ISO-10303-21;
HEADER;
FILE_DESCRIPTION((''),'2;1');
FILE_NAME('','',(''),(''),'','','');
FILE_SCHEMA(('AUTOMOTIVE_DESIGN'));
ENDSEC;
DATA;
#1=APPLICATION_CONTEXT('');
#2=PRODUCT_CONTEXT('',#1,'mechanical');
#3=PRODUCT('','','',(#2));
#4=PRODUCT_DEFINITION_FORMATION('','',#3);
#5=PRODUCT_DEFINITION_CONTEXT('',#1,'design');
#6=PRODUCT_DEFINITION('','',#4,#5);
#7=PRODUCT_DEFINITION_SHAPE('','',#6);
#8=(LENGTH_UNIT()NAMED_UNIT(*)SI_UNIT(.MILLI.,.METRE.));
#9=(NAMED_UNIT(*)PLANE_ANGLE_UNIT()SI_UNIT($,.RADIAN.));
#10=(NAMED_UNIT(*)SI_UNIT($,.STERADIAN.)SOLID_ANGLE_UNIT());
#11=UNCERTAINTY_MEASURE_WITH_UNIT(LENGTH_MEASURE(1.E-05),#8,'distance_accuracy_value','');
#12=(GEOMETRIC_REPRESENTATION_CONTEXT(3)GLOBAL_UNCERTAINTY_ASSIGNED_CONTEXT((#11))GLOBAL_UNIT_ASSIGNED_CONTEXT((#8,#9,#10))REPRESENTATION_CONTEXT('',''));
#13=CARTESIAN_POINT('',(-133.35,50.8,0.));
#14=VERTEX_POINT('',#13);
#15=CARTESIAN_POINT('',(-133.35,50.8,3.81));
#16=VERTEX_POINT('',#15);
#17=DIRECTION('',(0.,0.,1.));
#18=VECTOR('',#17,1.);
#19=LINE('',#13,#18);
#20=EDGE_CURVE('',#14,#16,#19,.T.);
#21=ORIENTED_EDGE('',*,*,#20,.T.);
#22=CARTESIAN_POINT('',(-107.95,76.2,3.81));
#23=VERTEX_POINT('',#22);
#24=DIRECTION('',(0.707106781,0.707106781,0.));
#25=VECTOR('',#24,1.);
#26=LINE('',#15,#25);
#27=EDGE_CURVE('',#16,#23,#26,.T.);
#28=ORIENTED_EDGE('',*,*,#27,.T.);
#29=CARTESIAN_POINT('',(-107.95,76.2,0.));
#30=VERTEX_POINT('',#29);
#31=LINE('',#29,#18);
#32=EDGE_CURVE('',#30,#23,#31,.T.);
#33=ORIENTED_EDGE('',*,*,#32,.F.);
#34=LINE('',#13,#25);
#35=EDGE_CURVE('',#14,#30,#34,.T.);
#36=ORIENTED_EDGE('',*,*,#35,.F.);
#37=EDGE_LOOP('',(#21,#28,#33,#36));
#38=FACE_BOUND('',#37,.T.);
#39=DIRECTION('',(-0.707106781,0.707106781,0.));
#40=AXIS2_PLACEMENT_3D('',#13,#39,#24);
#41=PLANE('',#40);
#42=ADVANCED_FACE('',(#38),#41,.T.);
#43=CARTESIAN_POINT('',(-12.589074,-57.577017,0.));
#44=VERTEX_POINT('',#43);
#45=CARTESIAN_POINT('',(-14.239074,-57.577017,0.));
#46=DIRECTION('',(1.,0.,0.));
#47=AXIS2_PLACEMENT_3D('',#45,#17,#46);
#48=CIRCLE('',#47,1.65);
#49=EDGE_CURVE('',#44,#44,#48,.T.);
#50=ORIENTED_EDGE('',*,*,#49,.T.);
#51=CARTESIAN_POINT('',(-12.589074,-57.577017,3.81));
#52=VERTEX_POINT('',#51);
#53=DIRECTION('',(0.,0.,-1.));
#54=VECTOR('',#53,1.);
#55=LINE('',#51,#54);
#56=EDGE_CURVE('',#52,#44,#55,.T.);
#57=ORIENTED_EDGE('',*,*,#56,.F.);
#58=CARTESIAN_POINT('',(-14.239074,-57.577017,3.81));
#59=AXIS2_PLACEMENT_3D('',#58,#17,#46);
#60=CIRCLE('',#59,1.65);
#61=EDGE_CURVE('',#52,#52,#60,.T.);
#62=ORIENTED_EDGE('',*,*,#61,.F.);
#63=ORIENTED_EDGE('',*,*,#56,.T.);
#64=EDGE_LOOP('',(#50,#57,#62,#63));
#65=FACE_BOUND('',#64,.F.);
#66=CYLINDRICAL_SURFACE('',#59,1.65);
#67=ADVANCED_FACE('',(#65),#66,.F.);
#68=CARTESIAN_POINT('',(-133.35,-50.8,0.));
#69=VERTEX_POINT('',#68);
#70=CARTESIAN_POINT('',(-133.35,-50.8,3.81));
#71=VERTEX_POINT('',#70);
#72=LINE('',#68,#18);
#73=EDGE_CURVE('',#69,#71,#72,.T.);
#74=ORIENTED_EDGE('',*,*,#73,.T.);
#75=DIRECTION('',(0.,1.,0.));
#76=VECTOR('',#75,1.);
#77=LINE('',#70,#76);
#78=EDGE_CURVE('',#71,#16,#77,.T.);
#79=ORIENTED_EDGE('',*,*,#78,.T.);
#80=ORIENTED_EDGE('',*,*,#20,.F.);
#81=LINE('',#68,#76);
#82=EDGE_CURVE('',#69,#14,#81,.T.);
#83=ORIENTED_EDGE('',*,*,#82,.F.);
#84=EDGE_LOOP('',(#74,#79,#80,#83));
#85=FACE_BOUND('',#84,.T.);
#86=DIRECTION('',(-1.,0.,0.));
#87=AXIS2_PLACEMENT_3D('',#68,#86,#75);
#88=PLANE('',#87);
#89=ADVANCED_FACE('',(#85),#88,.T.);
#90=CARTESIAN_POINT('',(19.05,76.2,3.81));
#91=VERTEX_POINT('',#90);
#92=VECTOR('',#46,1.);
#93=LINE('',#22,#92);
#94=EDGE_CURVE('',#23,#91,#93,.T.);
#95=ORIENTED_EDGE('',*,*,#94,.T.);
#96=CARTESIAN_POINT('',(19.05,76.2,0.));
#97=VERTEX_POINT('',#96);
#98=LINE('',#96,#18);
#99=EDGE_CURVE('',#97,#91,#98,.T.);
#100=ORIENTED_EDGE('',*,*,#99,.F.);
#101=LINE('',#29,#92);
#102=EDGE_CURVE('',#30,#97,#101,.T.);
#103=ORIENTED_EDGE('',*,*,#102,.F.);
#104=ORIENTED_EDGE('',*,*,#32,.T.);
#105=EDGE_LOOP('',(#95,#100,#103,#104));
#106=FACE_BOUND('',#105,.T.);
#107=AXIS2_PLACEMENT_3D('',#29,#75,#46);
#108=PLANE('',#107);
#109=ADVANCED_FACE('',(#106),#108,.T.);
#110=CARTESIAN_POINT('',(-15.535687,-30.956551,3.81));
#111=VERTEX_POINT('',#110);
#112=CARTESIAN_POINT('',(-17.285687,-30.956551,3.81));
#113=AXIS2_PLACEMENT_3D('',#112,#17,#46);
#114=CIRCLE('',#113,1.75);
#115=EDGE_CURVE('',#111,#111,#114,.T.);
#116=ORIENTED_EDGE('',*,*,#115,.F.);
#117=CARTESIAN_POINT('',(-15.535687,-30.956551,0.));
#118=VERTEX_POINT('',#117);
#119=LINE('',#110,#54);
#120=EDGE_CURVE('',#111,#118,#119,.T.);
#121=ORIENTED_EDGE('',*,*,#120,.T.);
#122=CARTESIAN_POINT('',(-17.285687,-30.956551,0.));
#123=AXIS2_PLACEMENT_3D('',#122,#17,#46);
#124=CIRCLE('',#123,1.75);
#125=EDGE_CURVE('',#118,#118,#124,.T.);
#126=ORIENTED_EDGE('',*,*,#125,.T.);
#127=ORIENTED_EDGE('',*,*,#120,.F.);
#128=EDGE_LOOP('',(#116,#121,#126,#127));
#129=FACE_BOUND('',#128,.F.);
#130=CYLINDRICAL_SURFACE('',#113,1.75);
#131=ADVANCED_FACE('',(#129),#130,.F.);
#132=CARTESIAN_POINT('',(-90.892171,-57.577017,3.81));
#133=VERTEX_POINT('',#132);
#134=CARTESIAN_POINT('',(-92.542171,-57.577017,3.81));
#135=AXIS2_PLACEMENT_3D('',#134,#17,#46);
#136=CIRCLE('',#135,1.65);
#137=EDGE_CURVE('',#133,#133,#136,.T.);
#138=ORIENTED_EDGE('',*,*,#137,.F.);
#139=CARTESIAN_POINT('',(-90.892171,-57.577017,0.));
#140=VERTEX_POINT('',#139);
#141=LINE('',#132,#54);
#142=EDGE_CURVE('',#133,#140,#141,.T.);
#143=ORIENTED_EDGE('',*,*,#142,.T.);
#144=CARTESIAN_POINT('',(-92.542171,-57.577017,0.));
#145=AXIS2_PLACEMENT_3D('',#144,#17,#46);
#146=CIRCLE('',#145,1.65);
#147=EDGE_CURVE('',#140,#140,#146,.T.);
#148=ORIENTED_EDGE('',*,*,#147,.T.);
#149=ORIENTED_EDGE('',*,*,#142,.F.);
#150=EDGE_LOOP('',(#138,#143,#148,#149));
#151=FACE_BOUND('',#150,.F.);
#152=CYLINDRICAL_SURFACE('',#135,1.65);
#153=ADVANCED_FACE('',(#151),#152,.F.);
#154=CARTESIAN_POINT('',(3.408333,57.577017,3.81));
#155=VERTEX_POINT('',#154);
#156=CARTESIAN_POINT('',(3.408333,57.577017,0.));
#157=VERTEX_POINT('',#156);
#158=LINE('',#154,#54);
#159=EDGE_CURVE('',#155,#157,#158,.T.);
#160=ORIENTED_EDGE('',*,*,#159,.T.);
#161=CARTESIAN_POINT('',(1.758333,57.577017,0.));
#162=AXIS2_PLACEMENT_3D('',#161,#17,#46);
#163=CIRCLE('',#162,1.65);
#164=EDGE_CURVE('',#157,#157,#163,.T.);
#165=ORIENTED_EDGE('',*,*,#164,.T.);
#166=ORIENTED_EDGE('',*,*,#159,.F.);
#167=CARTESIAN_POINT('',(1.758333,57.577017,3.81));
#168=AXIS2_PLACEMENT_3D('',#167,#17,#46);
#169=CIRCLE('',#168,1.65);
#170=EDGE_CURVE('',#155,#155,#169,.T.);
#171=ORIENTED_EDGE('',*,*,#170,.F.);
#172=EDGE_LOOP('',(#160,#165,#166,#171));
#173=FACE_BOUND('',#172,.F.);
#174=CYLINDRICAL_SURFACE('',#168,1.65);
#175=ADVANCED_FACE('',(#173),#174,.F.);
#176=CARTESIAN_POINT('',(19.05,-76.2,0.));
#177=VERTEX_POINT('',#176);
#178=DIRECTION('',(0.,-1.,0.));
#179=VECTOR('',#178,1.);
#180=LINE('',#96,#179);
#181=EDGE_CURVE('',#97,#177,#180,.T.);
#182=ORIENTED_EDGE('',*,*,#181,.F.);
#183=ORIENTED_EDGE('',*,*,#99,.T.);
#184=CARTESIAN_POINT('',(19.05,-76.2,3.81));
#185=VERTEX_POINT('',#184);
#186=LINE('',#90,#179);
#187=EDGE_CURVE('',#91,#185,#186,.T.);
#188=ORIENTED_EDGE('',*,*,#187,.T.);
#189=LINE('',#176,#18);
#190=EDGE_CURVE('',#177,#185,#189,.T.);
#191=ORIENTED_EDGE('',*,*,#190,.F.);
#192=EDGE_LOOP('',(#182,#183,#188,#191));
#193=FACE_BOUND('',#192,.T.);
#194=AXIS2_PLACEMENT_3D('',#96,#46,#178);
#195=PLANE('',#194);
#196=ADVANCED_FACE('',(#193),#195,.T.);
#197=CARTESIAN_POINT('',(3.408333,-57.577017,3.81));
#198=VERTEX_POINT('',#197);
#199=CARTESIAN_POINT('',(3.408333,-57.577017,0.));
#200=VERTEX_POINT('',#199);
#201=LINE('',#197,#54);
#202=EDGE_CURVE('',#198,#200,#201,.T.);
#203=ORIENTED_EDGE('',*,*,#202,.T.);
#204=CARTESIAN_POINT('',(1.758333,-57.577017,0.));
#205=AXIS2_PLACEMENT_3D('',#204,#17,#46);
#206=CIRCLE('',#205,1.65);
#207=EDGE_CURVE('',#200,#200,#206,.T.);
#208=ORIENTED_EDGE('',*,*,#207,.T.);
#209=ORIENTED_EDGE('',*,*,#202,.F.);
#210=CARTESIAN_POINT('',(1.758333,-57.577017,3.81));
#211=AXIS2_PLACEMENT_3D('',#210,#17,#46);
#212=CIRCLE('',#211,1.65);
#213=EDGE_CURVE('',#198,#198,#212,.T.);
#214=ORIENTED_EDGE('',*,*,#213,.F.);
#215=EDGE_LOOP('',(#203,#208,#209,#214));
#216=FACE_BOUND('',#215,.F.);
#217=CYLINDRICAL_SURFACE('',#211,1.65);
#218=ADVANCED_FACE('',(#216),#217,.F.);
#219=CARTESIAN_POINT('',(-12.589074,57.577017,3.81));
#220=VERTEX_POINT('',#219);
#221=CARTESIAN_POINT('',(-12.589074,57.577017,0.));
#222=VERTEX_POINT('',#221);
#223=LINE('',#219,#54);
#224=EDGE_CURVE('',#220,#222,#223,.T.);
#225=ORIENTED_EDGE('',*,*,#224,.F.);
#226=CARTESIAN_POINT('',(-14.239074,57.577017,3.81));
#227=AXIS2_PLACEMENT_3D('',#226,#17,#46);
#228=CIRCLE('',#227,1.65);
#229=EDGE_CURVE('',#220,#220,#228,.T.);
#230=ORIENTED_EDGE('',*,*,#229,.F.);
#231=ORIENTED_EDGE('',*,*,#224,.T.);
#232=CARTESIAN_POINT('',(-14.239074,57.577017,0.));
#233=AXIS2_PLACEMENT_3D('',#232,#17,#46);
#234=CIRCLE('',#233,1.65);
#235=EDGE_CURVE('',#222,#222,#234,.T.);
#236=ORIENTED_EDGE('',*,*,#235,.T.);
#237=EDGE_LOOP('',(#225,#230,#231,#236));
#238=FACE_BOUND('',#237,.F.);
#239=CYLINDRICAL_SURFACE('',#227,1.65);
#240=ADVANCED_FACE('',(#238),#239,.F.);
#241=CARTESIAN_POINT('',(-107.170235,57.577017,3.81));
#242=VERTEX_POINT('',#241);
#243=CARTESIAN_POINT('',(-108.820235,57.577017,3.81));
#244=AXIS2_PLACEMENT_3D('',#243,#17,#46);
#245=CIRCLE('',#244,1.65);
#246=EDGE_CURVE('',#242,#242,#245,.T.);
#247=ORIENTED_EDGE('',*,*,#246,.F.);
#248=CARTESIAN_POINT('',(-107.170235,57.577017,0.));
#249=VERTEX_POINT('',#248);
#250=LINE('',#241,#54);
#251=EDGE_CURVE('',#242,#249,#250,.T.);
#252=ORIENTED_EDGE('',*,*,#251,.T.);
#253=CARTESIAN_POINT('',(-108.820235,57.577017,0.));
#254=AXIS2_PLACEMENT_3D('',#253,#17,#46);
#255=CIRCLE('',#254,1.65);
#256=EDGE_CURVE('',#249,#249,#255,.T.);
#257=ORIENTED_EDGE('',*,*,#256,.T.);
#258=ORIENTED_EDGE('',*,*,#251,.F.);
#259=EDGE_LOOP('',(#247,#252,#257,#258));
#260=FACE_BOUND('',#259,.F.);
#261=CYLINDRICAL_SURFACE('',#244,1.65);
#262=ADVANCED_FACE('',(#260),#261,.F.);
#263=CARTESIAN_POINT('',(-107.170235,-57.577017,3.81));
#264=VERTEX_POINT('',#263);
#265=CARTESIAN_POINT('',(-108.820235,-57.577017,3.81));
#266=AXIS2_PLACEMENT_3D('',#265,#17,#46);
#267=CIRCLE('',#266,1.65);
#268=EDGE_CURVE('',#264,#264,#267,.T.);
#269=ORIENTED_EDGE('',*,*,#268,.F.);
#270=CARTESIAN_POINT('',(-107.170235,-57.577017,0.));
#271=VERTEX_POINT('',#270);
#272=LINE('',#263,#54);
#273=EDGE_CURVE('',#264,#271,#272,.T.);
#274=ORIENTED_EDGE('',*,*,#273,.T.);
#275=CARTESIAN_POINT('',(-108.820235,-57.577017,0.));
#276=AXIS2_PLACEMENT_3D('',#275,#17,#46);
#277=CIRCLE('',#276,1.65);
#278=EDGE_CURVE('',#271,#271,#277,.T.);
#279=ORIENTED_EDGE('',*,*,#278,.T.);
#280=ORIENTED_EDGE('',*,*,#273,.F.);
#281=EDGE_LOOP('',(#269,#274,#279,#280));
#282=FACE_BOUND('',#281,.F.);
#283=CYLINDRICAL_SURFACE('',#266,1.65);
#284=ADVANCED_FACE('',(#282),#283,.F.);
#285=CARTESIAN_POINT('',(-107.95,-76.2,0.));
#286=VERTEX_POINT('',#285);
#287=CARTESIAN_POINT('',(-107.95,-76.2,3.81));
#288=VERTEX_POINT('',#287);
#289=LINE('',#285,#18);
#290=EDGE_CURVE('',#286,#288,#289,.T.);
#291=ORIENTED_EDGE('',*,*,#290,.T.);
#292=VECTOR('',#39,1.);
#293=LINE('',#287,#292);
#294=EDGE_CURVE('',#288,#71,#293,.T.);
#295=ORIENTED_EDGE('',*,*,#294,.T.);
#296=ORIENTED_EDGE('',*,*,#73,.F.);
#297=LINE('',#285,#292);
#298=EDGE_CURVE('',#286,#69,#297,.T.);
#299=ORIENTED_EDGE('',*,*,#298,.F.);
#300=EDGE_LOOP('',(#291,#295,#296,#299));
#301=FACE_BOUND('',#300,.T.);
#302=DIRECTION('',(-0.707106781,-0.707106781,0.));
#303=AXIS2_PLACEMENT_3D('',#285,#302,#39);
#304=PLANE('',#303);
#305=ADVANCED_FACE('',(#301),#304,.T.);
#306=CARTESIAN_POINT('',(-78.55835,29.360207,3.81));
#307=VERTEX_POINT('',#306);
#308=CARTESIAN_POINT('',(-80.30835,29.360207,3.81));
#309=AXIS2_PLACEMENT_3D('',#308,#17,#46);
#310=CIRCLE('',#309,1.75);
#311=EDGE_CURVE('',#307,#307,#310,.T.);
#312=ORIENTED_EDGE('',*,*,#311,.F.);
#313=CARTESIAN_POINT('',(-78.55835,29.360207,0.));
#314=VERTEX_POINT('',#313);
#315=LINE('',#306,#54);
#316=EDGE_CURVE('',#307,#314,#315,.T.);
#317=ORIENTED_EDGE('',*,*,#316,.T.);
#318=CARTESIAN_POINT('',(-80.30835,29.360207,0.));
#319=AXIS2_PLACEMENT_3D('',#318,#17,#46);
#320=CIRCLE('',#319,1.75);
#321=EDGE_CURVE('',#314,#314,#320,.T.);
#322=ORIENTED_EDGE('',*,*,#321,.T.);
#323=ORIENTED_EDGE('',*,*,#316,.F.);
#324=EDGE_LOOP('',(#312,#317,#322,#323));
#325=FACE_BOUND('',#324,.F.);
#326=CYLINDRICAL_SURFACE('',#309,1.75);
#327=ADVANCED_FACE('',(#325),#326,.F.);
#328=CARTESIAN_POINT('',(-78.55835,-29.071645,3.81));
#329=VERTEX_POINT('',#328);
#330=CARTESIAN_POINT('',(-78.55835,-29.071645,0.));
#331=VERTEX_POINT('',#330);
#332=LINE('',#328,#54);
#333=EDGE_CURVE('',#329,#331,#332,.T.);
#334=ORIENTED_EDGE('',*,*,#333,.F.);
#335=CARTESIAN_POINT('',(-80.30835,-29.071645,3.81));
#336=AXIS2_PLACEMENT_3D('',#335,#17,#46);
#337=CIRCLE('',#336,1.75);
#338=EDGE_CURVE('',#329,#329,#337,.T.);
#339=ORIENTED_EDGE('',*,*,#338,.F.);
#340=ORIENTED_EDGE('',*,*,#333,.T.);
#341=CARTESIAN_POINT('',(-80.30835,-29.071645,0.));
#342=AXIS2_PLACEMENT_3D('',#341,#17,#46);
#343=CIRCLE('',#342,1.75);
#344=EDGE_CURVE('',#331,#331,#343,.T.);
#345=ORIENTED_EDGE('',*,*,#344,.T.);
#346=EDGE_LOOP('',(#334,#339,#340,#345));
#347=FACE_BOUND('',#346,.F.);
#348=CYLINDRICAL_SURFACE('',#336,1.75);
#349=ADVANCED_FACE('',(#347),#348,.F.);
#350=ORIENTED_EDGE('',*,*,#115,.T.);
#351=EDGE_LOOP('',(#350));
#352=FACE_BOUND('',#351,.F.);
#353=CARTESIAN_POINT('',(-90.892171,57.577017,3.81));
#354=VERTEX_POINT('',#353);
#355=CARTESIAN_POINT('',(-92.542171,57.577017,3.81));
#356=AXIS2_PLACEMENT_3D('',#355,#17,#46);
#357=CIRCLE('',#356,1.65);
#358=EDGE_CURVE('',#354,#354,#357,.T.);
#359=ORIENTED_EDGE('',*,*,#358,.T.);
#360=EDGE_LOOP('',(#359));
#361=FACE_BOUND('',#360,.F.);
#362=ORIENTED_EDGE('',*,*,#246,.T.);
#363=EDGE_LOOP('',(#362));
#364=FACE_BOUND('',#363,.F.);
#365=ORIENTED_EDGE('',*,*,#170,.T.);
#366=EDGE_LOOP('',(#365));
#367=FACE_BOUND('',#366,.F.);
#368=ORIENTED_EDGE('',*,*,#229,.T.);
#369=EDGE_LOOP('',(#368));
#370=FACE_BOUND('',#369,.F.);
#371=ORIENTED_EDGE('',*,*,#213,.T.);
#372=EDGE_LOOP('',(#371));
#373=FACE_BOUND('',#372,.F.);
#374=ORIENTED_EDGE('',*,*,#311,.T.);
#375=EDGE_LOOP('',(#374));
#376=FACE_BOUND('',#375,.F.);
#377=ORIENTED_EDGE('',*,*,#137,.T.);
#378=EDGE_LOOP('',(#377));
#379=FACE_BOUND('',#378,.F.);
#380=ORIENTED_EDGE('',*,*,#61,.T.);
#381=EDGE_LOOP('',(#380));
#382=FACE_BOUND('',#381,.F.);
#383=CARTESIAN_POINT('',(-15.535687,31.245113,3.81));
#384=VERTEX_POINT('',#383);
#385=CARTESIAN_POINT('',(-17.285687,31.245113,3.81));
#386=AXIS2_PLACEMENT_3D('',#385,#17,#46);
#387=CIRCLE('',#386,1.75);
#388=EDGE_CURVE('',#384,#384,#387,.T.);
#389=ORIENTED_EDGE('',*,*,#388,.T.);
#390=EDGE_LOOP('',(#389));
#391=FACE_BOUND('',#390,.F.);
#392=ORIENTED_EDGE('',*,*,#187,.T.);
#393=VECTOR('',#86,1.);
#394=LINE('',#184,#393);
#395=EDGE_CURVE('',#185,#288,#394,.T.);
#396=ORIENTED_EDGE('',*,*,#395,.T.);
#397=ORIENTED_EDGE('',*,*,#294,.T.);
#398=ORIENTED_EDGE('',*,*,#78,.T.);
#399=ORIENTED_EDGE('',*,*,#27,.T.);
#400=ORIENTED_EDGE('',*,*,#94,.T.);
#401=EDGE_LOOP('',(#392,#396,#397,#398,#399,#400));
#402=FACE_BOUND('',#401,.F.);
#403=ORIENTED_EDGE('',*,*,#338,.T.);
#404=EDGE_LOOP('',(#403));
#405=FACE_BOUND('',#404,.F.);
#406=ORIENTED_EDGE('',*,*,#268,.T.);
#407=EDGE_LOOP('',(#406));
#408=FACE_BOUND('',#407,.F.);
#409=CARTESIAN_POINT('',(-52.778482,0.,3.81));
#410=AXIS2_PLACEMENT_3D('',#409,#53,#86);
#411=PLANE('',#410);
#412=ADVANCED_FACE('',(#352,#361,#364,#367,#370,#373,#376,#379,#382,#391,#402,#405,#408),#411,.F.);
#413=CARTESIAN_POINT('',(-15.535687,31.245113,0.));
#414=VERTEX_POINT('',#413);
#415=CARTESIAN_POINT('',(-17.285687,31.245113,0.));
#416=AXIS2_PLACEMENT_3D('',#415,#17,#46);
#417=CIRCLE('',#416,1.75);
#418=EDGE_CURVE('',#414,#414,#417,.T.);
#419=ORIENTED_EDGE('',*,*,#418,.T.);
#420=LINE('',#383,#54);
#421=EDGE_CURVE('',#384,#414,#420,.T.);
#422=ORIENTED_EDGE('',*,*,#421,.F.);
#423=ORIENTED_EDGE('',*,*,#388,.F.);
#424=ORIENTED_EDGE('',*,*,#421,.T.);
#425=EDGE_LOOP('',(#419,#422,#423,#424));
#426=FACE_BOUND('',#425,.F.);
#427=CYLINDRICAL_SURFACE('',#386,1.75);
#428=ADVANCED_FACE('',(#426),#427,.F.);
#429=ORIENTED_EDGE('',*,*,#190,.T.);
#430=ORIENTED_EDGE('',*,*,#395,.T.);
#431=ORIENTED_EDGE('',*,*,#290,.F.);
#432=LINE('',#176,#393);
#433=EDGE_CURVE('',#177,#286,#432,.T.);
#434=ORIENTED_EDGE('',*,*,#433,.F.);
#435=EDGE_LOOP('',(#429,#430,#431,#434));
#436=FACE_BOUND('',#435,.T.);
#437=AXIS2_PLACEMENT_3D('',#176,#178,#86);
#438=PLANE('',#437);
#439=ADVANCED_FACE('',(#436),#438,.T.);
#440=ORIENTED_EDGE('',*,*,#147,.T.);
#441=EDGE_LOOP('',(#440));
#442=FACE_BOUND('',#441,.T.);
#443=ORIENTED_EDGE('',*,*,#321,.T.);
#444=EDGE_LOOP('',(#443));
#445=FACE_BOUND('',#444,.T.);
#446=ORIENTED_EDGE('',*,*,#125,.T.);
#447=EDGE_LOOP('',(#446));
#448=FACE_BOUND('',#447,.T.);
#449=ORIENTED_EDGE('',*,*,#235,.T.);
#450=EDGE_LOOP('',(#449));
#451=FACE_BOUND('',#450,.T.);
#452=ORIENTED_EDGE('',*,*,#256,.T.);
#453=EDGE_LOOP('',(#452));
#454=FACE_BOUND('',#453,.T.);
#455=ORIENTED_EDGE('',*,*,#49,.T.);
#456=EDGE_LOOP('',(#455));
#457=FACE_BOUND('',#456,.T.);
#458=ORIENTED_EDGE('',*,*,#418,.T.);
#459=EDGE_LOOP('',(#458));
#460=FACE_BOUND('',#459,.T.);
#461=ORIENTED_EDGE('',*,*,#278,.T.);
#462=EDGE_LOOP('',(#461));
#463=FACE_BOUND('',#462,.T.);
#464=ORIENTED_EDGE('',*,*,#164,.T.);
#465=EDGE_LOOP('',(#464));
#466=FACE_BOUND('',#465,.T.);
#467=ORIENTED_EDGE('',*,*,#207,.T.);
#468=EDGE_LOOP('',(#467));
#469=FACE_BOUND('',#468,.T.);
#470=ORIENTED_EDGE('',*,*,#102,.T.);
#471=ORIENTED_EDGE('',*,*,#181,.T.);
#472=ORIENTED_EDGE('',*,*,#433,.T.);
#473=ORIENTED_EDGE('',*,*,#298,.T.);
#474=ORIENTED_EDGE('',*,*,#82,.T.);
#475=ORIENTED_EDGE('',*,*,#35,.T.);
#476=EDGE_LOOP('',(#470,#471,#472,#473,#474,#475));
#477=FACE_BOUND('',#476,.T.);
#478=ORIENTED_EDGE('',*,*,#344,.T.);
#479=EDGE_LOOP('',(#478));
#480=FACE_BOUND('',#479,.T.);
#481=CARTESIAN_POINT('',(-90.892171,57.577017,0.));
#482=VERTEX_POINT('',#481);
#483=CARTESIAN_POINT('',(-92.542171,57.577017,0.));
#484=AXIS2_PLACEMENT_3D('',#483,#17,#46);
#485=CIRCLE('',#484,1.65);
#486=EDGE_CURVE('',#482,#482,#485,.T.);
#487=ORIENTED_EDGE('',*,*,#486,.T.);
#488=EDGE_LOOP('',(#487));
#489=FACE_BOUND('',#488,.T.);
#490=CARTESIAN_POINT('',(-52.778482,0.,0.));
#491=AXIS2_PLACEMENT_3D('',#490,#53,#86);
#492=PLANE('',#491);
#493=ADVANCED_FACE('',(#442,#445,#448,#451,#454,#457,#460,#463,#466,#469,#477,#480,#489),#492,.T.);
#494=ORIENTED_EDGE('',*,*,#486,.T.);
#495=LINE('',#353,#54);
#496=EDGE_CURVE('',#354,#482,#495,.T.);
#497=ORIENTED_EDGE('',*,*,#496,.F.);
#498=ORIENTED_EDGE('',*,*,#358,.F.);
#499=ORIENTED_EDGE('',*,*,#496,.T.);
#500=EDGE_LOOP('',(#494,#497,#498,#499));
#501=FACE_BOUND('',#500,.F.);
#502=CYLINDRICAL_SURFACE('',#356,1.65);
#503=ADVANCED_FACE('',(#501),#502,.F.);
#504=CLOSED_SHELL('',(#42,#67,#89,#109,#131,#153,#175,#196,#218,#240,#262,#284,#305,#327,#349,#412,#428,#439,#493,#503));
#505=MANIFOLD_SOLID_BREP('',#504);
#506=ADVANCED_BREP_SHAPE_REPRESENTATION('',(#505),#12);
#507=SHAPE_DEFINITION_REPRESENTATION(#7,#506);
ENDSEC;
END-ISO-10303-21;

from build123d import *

# Parameters (mm, degrees)
BOSS_EXTRUDE1_DEPTH = 3.81
SKETCH2_R           = 1.65
CUT_EXTRUDE1_DEPTH  = 8.89
SKETCH3_R           = 1.75
CUT_EXTRUDE2_DEPTH  = 154.633260071


with BuildPart() as part:
    # Sketch1 → Boss-Extrude1 (new body)
    with BuildSketch(Plane.XY):
        Polygon((-107.95, -76.2), (-133.35, -50.8), (-133.35, 50.8), (-107.95, 76.2), (19.05, 76.2), (19.05, -76.2), align=None)
    extrude(amount=BOSS_EXTRUDE1_DEPTH)

    # Sketch2 → Cut-Extrude1 (cut)
    with BuildSketch(Plane.XY.offset(3.81)):
        with Locations((1.75833287, 57.577017073)):
            Circle(SKETCH2_R)
        with Locations((-14.239074115, 57.577017073)):
            Circle(SKETCH2_R)
        with Locations((-92.542171462, 57.577017073)):
            Circle(SKETCH2_R)
        with Locations((-108.82023471, 57.577017073)):
            Circle(SKETCH2_R)
        with Locations((-108.82023471, -57.577017073)):
            Circle(SKETCH2_R)
        with Locations((-92.542171462, -57.577017073)):
            Circle(SKETCH2_R)
        with Locations((-14.239074115, -57.577017073)):
            Circle(SKETCH2_R)
        with Locations((1.75833287, -57.577017073)):
            Circle(SKETCH2_R)
    extrude(amount=-CUT_EXTRUDE1_DEPTH, mode=Mode.SUBTRACT)

    # Sketch3 → Cut-Extrude2 (cut, through all)
    with BuildSketch(Plane.XY.offset(3.81)):
        with Locations((-80.308350336, 29.360206552)):
            Circle(SKETCH3_R)
        with Locations((-17.285686927, 31.245112915)):
            Circle(SKETCH3_R)
        with Locations((-17.285686927, -30.956551268)):
            Circle(SKETCH3_R)
        with Locations((-80.308350336, -29.071644905)):
            Circle(SKETCH3_R)
    extrude(amount=-CUT_EXTRUDE2_DEPTH, mode=Mode.SUBTRACT)


solid = part.part
